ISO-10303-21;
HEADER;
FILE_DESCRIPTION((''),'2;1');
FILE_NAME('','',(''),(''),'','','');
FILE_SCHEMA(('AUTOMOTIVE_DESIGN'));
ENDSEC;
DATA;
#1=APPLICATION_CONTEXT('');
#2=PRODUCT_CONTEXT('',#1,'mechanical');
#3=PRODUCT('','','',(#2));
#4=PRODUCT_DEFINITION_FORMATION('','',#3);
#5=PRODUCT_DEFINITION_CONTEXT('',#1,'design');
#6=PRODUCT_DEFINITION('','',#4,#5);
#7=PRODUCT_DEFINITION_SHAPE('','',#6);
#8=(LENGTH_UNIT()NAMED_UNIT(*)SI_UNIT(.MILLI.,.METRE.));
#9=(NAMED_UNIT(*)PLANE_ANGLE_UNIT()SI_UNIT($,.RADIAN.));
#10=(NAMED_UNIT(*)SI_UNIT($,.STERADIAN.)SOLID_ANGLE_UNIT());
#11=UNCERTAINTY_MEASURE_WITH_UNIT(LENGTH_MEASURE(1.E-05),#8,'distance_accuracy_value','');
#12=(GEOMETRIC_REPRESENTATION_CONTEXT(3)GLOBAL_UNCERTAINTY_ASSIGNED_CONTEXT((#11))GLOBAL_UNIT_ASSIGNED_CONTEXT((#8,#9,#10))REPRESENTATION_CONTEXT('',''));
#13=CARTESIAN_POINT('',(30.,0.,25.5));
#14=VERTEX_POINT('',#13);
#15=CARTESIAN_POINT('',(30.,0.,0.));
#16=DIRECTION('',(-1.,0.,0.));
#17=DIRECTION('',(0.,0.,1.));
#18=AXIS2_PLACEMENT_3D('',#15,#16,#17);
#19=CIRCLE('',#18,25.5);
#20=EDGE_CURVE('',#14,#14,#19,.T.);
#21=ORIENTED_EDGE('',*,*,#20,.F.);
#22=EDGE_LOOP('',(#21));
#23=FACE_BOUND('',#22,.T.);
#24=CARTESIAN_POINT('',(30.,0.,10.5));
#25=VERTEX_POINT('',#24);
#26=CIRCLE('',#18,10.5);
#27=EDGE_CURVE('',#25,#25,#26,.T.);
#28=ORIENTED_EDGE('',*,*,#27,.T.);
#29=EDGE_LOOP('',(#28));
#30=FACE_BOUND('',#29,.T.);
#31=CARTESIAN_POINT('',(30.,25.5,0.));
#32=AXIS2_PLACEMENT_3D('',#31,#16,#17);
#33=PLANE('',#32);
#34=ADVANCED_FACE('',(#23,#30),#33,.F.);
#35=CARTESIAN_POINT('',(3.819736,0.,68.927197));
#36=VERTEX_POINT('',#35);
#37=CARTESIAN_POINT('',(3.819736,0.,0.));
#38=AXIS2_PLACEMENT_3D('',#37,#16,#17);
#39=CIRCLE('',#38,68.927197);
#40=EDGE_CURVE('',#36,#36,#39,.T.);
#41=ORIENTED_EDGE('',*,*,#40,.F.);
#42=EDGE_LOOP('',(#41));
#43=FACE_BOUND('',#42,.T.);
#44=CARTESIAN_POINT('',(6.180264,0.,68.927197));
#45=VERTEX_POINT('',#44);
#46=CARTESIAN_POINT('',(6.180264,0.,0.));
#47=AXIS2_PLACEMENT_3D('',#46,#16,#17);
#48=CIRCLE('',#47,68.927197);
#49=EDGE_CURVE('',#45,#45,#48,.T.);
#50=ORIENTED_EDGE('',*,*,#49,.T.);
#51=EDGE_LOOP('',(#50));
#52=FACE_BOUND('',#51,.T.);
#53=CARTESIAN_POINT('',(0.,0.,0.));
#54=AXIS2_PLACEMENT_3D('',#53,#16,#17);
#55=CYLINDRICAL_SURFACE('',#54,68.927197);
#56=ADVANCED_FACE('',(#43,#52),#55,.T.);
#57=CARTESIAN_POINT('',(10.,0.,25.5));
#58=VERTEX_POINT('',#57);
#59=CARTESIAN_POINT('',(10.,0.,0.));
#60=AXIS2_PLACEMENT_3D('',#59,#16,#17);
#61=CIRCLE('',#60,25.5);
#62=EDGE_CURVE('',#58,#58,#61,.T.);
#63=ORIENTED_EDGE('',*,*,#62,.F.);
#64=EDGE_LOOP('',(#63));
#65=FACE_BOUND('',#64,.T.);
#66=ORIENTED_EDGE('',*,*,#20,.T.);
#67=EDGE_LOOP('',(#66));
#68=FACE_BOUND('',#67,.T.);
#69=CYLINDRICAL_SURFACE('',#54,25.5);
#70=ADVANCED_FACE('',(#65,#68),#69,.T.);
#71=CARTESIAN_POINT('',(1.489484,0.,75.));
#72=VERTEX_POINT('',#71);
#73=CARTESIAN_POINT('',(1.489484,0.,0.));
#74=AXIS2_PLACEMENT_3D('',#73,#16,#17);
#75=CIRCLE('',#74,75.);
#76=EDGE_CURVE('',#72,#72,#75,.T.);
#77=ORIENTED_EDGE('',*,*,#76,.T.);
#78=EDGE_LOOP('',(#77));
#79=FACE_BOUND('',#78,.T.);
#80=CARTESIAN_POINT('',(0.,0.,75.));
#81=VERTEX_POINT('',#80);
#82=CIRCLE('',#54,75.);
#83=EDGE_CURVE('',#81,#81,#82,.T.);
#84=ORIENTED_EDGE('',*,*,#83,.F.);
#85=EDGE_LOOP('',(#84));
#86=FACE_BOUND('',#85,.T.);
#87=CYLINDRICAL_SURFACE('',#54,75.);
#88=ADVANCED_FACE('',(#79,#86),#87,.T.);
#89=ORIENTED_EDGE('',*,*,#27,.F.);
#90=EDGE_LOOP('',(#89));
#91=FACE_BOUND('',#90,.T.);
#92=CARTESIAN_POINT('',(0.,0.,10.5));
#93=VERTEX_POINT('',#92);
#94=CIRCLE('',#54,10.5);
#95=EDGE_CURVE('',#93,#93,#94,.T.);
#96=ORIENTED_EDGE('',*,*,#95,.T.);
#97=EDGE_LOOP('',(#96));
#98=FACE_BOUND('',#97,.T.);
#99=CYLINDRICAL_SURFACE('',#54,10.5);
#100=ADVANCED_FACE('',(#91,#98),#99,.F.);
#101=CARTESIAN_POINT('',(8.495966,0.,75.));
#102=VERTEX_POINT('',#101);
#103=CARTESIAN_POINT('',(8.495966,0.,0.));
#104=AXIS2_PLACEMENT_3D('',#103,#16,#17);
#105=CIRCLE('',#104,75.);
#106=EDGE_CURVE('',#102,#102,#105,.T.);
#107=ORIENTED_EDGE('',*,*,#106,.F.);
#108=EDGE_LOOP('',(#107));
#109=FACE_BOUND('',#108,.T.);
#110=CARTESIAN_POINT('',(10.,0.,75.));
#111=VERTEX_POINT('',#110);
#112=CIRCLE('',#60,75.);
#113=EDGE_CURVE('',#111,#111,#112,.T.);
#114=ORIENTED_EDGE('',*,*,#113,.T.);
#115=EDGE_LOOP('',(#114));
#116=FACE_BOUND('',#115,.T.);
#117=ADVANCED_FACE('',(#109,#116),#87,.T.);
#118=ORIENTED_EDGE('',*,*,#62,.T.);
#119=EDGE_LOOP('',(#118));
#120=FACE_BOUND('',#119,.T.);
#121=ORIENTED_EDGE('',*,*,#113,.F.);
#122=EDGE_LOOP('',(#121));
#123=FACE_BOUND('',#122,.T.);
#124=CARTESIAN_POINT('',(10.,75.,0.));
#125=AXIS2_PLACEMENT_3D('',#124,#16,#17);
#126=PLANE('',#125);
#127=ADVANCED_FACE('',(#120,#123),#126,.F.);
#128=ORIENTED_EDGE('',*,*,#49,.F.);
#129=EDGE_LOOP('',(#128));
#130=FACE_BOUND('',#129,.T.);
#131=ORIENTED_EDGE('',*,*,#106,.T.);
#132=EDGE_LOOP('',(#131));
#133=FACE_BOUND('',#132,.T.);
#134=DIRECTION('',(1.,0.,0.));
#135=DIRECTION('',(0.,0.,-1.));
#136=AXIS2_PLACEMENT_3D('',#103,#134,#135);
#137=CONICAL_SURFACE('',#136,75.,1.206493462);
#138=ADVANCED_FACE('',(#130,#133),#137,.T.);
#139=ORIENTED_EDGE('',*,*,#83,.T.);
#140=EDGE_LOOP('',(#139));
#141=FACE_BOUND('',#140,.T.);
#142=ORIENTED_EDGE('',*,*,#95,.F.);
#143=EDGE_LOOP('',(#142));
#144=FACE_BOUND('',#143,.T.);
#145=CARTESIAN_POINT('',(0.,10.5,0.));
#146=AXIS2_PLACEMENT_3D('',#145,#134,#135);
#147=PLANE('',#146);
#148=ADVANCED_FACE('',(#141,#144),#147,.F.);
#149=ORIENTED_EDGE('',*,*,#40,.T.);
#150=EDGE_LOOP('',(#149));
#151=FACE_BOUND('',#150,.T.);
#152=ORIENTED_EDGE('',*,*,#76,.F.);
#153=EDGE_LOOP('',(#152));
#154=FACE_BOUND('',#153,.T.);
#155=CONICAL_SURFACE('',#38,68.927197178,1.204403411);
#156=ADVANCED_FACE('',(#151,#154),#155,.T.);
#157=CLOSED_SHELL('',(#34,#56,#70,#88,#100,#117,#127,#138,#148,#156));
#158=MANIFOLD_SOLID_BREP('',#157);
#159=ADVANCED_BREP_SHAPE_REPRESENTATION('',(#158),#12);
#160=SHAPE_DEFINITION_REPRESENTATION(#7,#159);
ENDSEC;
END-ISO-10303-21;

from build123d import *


with BuildPart() as part:
    # Sketch1 → Revolve1 (revolve)
    with BuildSketch(Plane.XY, mode=Mode.PRIVATE) as revolve1_sk:
        Polygon((0, 10.5), (0, 75), (1.489484489, 75), (3.81973562, 68.927197178), (6.18026438, 68.927197178), (8.495965845, 75), (10, 75), (10, 25.5), (30, 25.5), (30, 10.5), align=None)
    revolve(revolve1_sk.sketch.rotate(Axis((0, 0, 0), (1, 0, 0)), 90), axis=Axis((0, 0, 0), (1, 0, 0)))


solid = part.part
